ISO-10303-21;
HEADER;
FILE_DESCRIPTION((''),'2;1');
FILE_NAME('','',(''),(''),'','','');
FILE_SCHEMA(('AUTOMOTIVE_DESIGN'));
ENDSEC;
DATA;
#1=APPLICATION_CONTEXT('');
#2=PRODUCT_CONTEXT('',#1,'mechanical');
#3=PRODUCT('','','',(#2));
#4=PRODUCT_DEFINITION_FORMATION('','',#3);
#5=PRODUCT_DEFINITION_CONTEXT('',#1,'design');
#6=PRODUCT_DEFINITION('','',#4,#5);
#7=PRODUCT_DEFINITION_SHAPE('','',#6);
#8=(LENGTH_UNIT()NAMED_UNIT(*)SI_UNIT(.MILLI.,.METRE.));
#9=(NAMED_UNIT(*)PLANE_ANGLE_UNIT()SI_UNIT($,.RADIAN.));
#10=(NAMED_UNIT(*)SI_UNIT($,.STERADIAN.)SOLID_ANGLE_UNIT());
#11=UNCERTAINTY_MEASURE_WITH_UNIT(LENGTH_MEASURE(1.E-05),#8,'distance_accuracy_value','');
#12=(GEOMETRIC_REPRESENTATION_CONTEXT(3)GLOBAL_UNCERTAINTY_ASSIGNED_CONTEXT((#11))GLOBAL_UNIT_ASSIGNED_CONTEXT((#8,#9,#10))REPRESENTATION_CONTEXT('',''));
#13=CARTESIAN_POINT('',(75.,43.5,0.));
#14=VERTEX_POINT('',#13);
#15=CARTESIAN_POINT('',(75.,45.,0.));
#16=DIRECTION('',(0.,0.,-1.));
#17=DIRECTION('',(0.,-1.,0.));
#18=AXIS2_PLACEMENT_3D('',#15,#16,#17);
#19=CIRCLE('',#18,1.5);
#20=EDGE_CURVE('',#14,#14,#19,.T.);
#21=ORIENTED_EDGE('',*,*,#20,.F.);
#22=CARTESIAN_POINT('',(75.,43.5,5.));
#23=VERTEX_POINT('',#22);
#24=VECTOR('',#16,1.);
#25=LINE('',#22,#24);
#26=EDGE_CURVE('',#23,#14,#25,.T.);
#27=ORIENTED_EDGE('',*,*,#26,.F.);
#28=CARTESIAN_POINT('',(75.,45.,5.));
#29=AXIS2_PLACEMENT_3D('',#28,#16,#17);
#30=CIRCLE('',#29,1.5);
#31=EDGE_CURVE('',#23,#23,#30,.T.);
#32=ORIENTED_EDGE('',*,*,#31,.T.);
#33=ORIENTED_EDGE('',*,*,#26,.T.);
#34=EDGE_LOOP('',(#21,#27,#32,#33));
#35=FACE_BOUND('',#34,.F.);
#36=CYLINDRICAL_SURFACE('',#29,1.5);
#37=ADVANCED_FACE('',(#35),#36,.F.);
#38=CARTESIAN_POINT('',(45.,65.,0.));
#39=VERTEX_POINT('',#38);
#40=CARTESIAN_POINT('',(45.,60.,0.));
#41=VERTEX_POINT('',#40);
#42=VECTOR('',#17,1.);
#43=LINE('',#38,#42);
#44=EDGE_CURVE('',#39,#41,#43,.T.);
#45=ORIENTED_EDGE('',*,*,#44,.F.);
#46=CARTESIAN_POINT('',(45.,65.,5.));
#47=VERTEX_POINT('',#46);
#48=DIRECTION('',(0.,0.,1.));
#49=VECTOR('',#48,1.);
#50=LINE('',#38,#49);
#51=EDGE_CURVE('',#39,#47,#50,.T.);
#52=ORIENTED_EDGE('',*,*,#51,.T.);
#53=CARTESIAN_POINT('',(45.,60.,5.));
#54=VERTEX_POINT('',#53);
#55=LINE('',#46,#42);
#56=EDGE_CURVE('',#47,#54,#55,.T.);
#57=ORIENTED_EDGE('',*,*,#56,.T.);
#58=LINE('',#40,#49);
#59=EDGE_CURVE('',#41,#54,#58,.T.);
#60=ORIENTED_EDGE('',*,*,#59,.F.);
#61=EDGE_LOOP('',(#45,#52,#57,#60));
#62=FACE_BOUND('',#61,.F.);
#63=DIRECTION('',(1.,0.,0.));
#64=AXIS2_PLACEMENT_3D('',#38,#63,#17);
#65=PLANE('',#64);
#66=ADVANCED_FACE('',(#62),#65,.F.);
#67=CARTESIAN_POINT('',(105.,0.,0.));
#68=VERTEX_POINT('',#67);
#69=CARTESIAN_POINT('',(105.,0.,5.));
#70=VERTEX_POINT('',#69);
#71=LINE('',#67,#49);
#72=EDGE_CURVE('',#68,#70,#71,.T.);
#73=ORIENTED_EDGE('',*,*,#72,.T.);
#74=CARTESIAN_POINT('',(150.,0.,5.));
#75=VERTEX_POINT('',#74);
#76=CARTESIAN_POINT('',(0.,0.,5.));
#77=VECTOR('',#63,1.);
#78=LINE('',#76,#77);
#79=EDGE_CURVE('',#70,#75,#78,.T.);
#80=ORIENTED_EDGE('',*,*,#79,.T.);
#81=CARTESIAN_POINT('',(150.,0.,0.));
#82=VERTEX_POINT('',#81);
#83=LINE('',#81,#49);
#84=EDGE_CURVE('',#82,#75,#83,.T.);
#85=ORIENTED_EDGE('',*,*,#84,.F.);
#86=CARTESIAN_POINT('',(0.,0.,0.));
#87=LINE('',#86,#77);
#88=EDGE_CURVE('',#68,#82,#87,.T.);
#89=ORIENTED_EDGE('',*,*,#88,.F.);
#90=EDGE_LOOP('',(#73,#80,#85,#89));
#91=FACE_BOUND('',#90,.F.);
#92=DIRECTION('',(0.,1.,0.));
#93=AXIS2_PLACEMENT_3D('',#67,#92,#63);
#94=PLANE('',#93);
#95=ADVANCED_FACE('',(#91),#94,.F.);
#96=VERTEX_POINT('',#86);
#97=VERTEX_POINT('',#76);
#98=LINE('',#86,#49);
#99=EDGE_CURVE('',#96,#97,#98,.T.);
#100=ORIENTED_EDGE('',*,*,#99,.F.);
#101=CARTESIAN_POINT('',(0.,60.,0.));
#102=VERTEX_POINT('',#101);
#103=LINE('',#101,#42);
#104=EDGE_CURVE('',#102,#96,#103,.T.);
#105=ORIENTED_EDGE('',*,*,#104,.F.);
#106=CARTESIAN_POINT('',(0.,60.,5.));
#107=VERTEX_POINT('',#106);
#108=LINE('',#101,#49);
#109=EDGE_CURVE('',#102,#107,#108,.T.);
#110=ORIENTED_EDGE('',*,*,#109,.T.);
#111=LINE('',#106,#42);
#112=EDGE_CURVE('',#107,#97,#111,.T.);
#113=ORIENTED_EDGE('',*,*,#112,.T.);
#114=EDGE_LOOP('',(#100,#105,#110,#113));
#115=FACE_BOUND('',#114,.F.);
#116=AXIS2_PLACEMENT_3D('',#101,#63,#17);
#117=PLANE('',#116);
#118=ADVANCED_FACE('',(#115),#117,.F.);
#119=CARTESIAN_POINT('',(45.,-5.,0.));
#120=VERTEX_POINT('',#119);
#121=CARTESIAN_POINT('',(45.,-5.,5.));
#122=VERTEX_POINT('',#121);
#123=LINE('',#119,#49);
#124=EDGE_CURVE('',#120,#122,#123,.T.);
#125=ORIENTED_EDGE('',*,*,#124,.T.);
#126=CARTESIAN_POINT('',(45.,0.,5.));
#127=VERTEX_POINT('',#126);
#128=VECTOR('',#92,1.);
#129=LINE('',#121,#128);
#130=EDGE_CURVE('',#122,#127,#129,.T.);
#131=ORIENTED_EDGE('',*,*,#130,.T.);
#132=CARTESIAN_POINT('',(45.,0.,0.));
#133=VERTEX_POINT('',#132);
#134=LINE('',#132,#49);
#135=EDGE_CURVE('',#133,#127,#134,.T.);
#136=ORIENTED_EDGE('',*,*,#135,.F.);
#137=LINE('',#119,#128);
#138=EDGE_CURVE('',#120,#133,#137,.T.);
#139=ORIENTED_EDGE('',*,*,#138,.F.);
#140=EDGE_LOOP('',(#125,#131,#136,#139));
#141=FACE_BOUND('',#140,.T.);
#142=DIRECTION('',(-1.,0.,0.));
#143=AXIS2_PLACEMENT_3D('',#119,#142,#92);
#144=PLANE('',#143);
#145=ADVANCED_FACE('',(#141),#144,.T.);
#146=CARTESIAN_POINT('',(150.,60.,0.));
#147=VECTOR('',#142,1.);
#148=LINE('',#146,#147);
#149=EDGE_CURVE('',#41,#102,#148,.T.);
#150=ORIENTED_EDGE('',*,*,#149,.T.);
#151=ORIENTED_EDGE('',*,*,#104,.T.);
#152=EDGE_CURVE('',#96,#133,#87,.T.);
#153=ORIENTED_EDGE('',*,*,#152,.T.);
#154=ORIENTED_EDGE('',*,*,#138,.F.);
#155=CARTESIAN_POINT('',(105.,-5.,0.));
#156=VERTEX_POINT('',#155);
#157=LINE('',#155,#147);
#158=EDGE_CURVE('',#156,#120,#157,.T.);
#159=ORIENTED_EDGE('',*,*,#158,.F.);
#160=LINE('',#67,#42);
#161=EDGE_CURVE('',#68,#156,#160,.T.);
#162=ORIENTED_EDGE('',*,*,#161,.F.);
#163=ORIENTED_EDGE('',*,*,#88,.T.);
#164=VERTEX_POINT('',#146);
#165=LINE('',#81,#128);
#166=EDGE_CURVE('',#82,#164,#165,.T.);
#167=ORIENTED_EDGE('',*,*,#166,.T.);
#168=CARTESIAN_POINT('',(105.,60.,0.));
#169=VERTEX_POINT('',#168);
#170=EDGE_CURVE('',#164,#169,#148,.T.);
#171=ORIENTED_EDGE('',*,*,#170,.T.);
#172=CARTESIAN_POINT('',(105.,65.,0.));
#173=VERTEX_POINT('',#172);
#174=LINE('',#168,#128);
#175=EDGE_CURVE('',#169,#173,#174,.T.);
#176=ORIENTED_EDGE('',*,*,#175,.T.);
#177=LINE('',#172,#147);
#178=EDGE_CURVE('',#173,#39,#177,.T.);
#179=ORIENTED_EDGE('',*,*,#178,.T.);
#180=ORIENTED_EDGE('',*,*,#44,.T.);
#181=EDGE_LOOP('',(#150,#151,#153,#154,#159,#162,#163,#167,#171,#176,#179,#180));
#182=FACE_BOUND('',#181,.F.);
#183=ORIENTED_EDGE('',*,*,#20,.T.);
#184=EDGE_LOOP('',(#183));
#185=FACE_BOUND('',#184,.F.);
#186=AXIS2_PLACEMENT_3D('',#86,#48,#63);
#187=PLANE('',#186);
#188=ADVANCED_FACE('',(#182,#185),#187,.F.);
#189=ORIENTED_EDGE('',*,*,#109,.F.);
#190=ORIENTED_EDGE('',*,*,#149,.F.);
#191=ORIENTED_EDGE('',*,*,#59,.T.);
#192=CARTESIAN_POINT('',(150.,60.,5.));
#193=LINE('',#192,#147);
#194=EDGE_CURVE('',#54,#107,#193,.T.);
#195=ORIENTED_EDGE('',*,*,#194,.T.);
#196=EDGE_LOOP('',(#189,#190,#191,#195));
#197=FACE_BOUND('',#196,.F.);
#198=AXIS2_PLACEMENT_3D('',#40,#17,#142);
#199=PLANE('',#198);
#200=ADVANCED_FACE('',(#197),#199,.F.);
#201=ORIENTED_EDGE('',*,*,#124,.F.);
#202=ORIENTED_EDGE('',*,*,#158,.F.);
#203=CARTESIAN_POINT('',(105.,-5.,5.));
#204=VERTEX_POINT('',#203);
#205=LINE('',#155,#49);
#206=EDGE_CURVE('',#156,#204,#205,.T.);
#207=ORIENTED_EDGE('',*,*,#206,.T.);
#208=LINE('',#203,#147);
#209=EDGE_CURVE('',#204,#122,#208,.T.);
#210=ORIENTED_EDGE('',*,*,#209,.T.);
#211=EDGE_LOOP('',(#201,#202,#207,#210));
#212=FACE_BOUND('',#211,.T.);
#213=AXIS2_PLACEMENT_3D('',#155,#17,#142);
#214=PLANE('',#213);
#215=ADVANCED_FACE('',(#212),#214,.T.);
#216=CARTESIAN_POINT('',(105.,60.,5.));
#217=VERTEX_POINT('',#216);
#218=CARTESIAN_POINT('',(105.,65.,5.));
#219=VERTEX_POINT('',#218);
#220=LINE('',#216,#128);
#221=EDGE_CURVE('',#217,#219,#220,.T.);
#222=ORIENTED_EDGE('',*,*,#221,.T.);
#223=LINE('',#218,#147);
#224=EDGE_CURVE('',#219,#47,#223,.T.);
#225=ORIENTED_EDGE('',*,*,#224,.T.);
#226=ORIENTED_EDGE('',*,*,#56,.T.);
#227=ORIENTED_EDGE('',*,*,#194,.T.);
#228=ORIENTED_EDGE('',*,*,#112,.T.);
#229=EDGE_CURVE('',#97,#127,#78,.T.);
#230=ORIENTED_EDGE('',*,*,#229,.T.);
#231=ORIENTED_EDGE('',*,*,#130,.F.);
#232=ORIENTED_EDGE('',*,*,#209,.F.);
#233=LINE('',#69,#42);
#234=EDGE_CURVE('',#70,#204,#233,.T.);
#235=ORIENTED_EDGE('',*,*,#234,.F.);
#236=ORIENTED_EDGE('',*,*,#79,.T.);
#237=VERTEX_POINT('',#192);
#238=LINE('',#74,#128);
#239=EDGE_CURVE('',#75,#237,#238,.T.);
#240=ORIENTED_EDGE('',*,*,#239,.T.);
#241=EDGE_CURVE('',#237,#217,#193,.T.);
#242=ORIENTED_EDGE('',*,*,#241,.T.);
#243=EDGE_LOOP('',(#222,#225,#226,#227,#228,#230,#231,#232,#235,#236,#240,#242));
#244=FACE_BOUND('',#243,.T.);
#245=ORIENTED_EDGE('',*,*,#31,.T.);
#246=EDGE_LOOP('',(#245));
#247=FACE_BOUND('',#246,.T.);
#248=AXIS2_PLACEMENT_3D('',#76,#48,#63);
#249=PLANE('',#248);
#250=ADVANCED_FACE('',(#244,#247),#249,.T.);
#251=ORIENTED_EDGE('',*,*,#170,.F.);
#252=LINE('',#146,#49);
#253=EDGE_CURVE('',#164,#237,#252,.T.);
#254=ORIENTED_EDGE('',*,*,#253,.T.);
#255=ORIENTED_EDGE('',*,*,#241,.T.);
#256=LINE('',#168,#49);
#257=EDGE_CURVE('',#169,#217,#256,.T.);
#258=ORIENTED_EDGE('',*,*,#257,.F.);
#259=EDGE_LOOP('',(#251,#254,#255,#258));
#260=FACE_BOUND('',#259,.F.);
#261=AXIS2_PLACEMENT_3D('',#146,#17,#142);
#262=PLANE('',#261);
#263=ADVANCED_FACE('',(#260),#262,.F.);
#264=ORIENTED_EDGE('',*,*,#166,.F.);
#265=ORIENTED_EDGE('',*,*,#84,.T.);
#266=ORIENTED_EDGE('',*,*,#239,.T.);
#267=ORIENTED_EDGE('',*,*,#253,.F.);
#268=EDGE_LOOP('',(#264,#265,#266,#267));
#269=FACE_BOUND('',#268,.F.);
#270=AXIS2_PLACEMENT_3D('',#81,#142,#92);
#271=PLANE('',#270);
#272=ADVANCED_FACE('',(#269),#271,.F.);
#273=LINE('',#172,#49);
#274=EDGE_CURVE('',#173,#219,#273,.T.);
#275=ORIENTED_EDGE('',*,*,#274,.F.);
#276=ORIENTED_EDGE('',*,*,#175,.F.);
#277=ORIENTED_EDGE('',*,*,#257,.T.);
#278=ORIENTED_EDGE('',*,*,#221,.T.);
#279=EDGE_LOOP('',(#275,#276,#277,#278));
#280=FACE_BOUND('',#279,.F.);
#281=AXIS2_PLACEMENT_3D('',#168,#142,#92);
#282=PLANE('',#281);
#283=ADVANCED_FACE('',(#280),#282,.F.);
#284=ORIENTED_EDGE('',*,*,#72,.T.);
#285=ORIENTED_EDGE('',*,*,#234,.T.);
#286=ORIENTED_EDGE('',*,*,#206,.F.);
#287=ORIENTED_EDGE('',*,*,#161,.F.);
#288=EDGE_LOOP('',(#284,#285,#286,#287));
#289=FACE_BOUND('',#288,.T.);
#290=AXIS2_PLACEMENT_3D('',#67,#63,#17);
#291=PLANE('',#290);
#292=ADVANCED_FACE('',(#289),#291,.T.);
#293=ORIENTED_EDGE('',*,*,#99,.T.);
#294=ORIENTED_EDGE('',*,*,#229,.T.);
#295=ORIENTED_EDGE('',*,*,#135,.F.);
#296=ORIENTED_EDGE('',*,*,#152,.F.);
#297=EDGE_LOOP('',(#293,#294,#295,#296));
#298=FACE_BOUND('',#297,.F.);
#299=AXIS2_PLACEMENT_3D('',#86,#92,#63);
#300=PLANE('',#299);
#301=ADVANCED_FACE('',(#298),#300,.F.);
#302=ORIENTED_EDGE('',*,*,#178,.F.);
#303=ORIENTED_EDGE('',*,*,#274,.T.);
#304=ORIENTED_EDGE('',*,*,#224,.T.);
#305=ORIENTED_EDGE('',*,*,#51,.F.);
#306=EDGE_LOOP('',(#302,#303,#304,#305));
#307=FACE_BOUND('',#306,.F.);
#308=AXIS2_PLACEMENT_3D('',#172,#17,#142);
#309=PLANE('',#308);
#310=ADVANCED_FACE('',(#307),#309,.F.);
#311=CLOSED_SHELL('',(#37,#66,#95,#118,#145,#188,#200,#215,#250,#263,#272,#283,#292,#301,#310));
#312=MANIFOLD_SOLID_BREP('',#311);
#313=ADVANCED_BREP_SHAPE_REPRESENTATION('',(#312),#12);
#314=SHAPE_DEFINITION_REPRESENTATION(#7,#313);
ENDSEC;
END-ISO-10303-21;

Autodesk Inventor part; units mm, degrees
ref_plane "YZ Plane" through (0, 0, 0) normal (1, 0, 0) x (0, 1, 0)
ref_plane "XZ Plane" through (0, 0, 0) normal (0, 1, 0) x (-1, 0, 0)
ref_plane "XY Plane" through (0, 0, 0) normal (0, 0, 1) x (1, 0, 0)
sketch "Sketch1" plane through (0, 0, 0) normal (0, 0, 1) x (1, 0, 0)
  line L0 (0, 0) -> (150, 0)
  line L1 (150, 0) -> (150, 60)
  line L2 (150, 60) -> (0, 60)
  line L3 (0, 60) -> (0, 0)
  line L4 (45, 0) -> (105, 0)
  line L5 (105, 0) -> (105, -5)
  line L6 (105, -5) -> (45, -5)
  line L7 (45, -5) -> (45, 0)
  line L8 (45, 60) -> (105, 60)
  line L9 (105, 60) -> (105, 65)
  line L10 (105, 65) -> (45, 65)
  line L11 (45, 65) -> (45, 60)
  point P0 (105, 60)
  dimension "d0" = 150
  dimension "d1" = 60
  dimension "d2" = 60
  dimension "d3" = 5
  dimension "d4" = 60
  dimension "d5" = 5
  dimension "d6" = 45
  dimension "d7" = 45
extrude "Extrusion1" add sketch "Sketch1" along normal blind 5
sketch "Sketch2" plane through (0, 0, 5) normal (0, 0, 1) x (1, 0, 0)
  line L0 (45, -5) -> (105, -5) projected
  line L1 (45, 65) -> (45, 60) projected
  line L2 (105, 65) -> (45, 65) projected
  point P0 (0, 0)
  point P1 (75, 45)
  dimension "d18" = 30
  dimension "d19" = 20
hole "Hole1" at (75, 45, 5) direction (0, 0, -1) diameter 3 end through all
properties part number "FRONT_1" material "ABS Plastic"
